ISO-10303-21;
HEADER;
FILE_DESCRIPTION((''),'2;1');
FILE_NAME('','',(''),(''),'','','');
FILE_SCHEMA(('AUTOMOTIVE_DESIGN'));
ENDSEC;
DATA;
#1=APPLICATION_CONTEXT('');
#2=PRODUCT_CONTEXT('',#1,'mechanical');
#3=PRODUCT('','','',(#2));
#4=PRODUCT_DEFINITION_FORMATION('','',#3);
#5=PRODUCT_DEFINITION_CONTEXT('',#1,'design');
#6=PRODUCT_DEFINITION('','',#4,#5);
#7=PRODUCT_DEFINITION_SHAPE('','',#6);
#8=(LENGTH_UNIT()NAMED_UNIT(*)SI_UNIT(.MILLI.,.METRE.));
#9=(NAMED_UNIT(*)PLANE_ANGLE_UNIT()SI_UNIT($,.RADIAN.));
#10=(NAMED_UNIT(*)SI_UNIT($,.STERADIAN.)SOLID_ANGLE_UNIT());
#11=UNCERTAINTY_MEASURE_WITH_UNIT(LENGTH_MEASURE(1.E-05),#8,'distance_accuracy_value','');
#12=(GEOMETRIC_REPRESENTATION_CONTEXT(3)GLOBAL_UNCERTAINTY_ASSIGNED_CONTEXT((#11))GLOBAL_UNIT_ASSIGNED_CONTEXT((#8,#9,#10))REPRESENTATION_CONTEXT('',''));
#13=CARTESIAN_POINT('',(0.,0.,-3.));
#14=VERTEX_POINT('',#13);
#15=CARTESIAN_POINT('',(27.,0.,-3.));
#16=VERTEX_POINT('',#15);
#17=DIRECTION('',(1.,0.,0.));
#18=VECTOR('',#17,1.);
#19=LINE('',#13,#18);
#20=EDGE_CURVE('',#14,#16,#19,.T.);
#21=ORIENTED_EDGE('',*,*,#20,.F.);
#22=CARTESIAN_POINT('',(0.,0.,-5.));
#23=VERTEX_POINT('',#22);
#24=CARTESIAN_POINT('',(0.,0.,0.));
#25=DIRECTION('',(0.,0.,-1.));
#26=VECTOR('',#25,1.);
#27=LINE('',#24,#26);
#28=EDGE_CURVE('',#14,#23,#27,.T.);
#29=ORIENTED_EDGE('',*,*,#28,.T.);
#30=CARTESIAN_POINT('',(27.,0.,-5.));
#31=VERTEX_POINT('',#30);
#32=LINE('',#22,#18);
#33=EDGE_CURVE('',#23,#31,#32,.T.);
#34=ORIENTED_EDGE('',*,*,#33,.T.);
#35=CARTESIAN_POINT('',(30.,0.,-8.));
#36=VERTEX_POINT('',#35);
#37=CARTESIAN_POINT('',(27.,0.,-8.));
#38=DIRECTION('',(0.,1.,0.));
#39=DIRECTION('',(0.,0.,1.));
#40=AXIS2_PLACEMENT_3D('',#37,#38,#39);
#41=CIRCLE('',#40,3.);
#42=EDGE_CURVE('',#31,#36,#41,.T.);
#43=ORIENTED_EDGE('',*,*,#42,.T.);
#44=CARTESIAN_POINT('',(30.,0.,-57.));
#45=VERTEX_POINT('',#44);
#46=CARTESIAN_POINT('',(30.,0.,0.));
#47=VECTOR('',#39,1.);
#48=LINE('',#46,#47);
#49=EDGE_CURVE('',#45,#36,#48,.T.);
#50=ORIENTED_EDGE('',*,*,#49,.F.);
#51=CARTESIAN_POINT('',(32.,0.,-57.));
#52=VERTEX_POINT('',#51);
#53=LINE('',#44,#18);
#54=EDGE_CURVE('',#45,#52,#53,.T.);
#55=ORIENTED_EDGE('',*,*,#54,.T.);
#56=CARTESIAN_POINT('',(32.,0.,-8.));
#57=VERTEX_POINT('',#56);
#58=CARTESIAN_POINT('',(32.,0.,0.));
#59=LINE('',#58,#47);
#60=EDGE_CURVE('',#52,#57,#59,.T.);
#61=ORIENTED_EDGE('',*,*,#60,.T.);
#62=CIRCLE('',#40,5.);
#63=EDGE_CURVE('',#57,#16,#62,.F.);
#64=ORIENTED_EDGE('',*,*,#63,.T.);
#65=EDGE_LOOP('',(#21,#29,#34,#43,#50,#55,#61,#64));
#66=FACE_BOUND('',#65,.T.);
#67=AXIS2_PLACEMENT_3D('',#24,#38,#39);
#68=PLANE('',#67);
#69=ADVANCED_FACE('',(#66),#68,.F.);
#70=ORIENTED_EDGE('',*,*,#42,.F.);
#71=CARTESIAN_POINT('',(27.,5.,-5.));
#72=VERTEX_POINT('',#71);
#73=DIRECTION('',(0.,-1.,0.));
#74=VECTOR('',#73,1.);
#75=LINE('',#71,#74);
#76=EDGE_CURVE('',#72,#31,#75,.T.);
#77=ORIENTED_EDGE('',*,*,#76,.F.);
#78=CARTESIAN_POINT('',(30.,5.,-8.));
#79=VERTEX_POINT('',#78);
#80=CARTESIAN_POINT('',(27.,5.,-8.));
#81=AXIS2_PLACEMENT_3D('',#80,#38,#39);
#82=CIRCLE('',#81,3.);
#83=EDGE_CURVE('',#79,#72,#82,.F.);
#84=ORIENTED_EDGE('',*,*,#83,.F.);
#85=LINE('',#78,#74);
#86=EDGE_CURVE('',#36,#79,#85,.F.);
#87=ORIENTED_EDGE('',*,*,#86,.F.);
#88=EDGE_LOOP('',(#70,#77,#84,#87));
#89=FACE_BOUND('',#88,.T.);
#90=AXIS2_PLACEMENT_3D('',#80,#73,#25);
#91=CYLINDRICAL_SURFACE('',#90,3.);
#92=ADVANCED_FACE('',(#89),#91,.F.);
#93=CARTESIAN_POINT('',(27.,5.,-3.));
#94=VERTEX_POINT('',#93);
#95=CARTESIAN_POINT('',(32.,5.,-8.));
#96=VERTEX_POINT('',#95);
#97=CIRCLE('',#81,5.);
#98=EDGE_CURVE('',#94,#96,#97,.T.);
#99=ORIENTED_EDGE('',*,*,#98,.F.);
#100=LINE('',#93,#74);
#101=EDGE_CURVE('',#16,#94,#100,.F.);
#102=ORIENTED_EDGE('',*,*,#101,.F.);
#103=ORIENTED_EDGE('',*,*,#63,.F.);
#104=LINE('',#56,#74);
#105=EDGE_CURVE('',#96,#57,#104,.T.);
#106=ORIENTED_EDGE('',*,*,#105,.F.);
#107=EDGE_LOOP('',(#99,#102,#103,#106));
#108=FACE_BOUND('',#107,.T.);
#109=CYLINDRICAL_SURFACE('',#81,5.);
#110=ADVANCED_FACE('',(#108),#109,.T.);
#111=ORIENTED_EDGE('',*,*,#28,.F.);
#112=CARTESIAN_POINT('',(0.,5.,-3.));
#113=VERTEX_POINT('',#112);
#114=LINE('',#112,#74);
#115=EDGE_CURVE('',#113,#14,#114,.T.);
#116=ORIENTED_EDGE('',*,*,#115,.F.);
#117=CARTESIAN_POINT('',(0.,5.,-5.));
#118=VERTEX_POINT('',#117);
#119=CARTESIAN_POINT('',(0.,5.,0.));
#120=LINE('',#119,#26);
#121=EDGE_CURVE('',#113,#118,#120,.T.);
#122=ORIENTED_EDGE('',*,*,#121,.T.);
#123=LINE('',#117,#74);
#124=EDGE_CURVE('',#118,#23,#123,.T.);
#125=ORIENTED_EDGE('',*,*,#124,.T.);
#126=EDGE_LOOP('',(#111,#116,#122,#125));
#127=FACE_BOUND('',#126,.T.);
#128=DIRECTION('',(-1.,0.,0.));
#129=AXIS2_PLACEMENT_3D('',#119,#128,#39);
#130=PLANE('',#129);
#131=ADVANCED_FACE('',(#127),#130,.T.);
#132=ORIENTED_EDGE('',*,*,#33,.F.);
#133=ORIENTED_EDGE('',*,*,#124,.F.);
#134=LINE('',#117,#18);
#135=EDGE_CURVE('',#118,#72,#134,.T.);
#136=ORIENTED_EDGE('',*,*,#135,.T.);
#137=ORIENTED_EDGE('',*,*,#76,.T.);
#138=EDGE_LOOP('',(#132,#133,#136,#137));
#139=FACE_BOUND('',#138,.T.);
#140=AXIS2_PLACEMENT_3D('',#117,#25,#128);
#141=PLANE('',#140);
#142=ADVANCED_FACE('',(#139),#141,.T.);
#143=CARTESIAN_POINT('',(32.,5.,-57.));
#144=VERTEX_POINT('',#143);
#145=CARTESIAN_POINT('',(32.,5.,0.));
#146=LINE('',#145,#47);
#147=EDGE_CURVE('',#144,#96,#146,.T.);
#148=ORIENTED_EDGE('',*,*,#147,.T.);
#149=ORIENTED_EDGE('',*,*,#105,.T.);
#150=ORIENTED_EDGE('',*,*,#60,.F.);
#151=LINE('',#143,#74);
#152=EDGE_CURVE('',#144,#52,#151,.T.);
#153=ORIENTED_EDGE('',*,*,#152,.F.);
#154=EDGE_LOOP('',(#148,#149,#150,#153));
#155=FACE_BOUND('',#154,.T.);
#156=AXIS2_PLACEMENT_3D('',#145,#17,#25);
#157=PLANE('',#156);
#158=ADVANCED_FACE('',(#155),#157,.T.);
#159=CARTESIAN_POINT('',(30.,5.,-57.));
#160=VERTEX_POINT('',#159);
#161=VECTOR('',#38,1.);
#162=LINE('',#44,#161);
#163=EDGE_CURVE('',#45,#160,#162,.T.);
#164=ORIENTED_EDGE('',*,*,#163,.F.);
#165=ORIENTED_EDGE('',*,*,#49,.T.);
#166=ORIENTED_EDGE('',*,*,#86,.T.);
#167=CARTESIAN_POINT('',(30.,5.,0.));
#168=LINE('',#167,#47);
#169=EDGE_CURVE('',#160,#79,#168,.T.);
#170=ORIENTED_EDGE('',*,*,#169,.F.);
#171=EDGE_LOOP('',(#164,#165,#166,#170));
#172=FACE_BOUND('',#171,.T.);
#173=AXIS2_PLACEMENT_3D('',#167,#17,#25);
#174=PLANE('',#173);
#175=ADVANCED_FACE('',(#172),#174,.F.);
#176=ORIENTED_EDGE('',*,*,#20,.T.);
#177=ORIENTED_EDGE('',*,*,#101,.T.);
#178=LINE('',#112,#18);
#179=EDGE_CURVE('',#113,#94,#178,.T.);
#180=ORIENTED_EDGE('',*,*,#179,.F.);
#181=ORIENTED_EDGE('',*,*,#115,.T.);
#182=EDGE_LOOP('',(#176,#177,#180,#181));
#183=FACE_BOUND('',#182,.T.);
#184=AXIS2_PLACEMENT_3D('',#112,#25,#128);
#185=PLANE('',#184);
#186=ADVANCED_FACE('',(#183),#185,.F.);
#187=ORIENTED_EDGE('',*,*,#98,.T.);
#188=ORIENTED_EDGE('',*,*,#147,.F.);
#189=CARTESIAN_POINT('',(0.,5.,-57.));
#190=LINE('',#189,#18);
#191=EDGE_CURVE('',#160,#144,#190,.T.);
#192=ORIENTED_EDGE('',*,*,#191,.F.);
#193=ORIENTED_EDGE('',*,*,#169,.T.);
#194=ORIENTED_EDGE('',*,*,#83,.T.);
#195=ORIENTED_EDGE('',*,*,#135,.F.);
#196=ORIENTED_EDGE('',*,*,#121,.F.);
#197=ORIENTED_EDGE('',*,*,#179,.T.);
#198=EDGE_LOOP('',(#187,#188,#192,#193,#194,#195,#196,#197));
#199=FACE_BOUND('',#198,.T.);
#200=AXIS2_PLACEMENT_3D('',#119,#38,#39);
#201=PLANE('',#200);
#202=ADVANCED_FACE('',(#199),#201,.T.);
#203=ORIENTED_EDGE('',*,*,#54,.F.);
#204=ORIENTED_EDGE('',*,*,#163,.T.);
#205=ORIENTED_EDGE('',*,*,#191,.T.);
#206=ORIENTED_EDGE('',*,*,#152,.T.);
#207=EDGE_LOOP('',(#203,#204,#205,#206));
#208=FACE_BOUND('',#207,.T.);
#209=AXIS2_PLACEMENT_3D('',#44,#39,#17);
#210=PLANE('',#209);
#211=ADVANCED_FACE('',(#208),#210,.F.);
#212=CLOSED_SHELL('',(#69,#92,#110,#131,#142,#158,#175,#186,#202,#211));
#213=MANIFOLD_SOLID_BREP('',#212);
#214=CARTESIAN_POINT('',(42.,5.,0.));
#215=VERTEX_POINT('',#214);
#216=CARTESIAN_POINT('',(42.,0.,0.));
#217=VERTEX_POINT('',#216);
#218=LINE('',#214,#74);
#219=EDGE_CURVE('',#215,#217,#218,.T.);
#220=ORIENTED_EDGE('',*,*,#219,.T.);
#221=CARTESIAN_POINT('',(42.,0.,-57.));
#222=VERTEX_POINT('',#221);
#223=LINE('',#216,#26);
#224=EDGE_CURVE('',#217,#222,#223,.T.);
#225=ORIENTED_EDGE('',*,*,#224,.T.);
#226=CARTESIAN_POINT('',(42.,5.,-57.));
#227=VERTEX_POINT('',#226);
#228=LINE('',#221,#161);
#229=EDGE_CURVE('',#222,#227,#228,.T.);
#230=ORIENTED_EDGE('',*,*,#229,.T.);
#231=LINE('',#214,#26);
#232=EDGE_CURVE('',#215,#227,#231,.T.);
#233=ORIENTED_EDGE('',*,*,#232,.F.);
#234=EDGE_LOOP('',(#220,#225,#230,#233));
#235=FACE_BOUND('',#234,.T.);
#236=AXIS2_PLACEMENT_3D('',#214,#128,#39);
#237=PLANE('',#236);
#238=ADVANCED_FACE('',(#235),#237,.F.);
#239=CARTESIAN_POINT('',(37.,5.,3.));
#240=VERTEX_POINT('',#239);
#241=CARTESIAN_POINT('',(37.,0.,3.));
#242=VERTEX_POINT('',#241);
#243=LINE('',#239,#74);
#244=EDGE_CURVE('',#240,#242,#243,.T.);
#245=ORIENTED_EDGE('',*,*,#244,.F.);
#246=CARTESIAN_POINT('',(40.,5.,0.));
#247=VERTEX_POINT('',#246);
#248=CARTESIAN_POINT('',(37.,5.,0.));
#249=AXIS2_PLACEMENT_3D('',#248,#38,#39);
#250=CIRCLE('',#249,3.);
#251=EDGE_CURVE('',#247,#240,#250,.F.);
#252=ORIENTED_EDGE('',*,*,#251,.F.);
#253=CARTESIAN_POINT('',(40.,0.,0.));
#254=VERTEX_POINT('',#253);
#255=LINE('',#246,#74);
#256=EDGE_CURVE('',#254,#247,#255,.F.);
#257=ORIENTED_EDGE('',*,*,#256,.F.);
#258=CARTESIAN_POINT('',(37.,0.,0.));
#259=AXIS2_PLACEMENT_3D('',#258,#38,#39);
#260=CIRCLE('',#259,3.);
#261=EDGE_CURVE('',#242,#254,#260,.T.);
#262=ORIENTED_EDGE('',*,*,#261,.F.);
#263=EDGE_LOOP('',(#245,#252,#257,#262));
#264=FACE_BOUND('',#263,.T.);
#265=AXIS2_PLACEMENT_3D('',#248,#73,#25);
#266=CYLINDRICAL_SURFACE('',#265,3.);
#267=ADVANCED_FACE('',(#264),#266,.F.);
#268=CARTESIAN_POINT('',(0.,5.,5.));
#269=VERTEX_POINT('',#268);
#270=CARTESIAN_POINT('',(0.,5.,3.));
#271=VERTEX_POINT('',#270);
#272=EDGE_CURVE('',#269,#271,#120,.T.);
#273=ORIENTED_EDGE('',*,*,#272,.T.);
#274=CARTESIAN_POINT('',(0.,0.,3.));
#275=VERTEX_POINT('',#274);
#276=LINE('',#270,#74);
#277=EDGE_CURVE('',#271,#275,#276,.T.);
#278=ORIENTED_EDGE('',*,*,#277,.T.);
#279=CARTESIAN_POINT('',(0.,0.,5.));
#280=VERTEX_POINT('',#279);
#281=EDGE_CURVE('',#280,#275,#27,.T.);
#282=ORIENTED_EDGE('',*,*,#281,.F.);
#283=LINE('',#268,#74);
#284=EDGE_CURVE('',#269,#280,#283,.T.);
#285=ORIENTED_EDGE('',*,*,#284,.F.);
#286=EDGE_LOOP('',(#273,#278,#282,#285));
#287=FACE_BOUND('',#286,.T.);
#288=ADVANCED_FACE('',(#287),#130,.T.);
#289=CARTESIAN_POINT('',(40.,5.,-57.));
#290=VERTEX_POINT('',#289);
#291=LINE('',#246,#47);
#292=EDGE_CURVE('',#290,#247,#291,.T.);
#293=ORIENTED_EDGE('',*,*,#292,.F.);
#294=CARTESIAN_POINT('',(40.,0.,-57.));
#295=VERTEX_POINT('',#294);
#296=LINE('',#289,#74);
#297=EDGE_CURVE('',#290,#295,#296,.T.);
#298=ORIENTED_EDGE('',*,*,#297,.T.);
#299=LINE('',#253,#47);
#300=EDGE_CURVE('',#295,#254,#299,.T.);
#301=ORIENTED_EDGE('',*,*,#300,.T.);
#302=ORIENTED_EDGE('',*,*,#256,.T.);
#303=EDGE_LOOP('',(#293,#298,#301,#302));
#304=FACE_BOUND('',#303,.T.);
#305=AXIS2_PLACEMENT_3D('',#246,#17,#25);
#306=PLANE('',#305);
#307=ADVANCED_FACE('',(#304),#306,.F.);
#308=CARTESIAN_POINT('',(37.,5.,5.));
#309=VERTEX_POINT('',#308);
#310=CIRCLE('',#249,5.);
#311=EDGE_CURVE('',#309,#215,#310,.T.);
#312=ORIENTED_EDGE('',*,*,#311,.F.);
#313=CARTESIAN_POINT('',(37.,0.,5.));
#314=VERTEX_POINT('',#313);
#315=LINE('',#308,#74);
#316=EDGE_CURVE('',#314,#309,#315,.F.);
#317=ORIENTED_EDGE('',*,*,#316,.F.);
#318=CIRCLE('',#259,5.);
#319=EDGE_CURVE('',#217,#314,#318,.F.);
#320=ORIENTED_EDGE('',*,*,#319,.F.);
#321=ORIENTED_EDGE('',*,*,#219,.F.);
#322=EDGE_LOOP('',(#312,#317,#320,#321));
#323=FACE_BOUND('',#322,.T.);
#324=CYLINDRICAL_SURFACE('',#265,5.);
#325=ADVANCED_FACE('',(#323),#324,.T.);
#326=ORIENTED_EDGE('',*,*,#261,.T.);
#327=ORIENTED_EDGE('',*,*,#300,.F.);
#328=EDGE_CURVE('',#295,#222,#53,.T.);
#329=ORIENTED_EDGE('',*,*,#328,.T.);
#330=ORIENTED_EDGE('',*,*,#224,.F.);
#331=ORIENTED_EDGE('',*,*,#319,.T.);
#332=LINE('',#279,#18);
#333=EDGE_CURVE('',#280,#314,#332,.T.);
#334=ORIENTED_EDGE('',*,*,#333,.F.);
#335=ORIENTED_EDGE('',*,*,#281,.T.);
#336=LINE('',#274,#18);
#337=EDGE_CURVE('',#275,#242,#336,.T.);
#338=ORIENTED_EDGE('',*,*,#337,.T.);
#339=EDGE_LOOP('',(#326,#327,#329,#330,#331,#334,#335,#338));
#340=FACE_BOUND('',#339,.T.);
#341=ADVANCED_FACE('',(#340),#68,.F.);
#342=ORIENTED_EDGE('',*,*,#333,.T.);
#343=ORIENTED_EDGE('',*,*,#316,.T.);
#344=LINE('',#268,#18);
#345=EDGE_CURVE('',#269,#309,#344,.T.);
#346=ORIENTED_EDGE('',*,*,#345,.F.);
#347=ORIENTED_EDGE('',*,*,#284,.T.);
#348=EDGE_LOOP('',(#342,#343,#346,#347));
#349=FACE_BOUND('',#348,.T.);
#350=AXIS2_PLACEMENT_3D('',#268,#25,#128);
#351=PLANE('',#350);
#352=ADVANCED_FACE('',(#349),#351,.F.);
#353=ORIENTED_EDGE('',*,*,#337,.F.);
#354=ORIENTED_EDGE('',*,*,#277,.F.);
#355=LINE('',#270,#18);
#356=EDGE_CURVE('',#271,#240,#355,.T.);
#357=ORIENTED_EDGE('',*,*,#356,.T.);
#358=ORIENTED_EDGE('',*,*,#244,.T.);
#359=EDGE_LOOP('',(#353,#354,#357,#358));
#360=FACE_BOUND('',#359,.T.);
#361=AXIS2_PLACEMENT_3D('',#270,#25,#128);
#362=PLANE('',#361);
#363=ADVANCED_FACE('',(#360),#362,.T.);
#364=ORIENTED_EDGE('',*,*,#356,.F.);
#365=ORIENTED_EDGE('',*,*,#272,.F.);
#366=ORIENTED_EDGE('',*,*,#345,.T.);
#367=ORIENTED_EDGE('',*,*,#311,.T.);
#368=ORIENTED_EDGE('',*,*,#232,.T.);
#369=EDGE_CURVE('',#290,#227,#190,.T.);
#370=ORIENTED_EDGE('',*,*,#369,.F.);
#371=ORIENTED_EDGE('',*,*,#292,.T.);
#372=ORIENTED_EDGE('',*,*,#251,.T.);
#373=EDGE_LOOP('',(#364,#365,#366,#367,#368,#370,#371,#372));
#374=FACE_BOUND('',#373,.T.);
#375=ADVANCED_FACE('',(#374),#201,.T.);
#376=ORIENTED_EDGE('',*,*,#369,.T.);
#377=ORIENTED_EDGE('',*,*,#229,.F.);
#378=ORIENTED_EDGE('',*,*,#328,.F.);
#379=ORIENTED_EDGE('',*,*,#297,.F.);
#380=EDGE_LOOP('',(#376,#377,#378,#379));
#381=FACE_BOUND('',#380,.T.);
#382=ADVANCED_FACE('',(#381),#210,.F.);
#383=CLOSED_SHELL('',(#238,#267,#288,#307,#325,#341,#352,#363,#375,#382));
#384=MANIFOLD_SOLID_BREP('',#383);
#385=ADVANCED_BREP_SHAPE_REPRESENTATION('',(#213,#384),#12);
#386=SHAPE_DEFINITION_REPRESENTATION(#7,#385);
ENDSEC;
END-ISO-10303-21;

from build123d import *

# Parameters (mm, degrees)
SKETCH_1_W               = 30
SKETCH_1_H               = 2
SKETCH_1_W_2             = 2
SKETCH_1_H_2             = 52
SKETCH_1_W_3             = 12
SKETCH_1_H_3             = 3
EXTRUDE_1_DEPTH          = 5
FILLET_1_R               = 5
FILLET_2_R               = 3
CUT_EXTRUDE_1_DEPTH      = 74.409808609
CUT_EXTRUDE_1_DEPTH_BACK = 74.409808609
SKETCH_2_W               = 12
SKETCH_2_H               = 3


with BuildPart() as part:
    # 草图1 → 凸台-拉伸1 (new body)
    with BuildSketch(Plane(origin=(0, 0, 0), x_dir=(1, 0, 0), z_dir=(0, 1, 0))):
        with Locations((15, 4)):
            Rectangle(SKETCH_1_W, SKETCH_1_H)
        Polygon((0, -5), (40, -5), (40, -3), (32, -3), (30, -3), (0, -3), align=None)
        with Locations((41, -4)):
            Rectangle(SKETCH_1_W_2, SKETCH_1_H)
        Polygon((40, 3), (40, -3), (42, -3), (42, 57), (40, 57), (40, 5), align=None)
        with Locations((31, 31)):
            Rectangle(SKETCH_1_W_2, SKETCH_1_H_2)
        with Locations((31, 4)):
            Rectangle(SKETCH_1_W_2, SKETCH_1_H)
        with Locations((36, 58.5)):
            Rectangle(SKETCH_1_W_3, SKETCH_1_H_3)
    extrude(amount=EXTRUDE_1_DEPTH)

    # 圆角1
    fillet_1_edges = [part.edges().sort_by_distance(p)[0] for p in [
        (42, 2.5, 5),
        (32, 2.5, -3),
    ]]
    fillet(fillet_1_edges, radius=FILLET_1_R)

    # 圆角2
    fillet_2_edges = [part.edges().sort_by_distance(p)[0] for p in [
        (40, 2.5, 3),
        (30, 2.5, -5),
    ]]
    fillet(fillet_2_edges, radius=FILLET_2_R)

    # 草图2 → 切除-拉伸1 (cut, two sides: drawn at the far end of the back side and taken through both)
    with BuildSketch(Plane(origin=(0, 5, 0), x_dir=(1, 0, 0), z_dir=(0, 1, 0)).offset(-CUT_EXTRUDE_1_DEPTH_BACK)):
        with Locations((36, 58.5)):
            Rectangle(SKETCH_2_W, SKETCH_2_H)
    extrude(amount=CUT_EXTRUDE_1_DEPTH + CUT_EXTRUDE_1_DEPTH_BACK, mode=Mode.SUBTRACT)


with BuildPart() as cut_extrude_1_piece_1:
    # of the separate pieces the step leaves, piece 1, a body of its own (cut_extrude_1_pieces)
    add(part.part.solids().sort_by_distance((42, 5, -57))[0])


with BuildPart() as cut_extrude_1_piece_2:
    # of the separate pieces the step leaves, piece 2, a body of its own (cut_extrude_1_pieces)
    add(part.part.solids().sort_by_distance((27, 5, -5))[0])


solid = Compound([cut_extrude_1_piece_1.part, cut_extrude_1_piece_2.part])
